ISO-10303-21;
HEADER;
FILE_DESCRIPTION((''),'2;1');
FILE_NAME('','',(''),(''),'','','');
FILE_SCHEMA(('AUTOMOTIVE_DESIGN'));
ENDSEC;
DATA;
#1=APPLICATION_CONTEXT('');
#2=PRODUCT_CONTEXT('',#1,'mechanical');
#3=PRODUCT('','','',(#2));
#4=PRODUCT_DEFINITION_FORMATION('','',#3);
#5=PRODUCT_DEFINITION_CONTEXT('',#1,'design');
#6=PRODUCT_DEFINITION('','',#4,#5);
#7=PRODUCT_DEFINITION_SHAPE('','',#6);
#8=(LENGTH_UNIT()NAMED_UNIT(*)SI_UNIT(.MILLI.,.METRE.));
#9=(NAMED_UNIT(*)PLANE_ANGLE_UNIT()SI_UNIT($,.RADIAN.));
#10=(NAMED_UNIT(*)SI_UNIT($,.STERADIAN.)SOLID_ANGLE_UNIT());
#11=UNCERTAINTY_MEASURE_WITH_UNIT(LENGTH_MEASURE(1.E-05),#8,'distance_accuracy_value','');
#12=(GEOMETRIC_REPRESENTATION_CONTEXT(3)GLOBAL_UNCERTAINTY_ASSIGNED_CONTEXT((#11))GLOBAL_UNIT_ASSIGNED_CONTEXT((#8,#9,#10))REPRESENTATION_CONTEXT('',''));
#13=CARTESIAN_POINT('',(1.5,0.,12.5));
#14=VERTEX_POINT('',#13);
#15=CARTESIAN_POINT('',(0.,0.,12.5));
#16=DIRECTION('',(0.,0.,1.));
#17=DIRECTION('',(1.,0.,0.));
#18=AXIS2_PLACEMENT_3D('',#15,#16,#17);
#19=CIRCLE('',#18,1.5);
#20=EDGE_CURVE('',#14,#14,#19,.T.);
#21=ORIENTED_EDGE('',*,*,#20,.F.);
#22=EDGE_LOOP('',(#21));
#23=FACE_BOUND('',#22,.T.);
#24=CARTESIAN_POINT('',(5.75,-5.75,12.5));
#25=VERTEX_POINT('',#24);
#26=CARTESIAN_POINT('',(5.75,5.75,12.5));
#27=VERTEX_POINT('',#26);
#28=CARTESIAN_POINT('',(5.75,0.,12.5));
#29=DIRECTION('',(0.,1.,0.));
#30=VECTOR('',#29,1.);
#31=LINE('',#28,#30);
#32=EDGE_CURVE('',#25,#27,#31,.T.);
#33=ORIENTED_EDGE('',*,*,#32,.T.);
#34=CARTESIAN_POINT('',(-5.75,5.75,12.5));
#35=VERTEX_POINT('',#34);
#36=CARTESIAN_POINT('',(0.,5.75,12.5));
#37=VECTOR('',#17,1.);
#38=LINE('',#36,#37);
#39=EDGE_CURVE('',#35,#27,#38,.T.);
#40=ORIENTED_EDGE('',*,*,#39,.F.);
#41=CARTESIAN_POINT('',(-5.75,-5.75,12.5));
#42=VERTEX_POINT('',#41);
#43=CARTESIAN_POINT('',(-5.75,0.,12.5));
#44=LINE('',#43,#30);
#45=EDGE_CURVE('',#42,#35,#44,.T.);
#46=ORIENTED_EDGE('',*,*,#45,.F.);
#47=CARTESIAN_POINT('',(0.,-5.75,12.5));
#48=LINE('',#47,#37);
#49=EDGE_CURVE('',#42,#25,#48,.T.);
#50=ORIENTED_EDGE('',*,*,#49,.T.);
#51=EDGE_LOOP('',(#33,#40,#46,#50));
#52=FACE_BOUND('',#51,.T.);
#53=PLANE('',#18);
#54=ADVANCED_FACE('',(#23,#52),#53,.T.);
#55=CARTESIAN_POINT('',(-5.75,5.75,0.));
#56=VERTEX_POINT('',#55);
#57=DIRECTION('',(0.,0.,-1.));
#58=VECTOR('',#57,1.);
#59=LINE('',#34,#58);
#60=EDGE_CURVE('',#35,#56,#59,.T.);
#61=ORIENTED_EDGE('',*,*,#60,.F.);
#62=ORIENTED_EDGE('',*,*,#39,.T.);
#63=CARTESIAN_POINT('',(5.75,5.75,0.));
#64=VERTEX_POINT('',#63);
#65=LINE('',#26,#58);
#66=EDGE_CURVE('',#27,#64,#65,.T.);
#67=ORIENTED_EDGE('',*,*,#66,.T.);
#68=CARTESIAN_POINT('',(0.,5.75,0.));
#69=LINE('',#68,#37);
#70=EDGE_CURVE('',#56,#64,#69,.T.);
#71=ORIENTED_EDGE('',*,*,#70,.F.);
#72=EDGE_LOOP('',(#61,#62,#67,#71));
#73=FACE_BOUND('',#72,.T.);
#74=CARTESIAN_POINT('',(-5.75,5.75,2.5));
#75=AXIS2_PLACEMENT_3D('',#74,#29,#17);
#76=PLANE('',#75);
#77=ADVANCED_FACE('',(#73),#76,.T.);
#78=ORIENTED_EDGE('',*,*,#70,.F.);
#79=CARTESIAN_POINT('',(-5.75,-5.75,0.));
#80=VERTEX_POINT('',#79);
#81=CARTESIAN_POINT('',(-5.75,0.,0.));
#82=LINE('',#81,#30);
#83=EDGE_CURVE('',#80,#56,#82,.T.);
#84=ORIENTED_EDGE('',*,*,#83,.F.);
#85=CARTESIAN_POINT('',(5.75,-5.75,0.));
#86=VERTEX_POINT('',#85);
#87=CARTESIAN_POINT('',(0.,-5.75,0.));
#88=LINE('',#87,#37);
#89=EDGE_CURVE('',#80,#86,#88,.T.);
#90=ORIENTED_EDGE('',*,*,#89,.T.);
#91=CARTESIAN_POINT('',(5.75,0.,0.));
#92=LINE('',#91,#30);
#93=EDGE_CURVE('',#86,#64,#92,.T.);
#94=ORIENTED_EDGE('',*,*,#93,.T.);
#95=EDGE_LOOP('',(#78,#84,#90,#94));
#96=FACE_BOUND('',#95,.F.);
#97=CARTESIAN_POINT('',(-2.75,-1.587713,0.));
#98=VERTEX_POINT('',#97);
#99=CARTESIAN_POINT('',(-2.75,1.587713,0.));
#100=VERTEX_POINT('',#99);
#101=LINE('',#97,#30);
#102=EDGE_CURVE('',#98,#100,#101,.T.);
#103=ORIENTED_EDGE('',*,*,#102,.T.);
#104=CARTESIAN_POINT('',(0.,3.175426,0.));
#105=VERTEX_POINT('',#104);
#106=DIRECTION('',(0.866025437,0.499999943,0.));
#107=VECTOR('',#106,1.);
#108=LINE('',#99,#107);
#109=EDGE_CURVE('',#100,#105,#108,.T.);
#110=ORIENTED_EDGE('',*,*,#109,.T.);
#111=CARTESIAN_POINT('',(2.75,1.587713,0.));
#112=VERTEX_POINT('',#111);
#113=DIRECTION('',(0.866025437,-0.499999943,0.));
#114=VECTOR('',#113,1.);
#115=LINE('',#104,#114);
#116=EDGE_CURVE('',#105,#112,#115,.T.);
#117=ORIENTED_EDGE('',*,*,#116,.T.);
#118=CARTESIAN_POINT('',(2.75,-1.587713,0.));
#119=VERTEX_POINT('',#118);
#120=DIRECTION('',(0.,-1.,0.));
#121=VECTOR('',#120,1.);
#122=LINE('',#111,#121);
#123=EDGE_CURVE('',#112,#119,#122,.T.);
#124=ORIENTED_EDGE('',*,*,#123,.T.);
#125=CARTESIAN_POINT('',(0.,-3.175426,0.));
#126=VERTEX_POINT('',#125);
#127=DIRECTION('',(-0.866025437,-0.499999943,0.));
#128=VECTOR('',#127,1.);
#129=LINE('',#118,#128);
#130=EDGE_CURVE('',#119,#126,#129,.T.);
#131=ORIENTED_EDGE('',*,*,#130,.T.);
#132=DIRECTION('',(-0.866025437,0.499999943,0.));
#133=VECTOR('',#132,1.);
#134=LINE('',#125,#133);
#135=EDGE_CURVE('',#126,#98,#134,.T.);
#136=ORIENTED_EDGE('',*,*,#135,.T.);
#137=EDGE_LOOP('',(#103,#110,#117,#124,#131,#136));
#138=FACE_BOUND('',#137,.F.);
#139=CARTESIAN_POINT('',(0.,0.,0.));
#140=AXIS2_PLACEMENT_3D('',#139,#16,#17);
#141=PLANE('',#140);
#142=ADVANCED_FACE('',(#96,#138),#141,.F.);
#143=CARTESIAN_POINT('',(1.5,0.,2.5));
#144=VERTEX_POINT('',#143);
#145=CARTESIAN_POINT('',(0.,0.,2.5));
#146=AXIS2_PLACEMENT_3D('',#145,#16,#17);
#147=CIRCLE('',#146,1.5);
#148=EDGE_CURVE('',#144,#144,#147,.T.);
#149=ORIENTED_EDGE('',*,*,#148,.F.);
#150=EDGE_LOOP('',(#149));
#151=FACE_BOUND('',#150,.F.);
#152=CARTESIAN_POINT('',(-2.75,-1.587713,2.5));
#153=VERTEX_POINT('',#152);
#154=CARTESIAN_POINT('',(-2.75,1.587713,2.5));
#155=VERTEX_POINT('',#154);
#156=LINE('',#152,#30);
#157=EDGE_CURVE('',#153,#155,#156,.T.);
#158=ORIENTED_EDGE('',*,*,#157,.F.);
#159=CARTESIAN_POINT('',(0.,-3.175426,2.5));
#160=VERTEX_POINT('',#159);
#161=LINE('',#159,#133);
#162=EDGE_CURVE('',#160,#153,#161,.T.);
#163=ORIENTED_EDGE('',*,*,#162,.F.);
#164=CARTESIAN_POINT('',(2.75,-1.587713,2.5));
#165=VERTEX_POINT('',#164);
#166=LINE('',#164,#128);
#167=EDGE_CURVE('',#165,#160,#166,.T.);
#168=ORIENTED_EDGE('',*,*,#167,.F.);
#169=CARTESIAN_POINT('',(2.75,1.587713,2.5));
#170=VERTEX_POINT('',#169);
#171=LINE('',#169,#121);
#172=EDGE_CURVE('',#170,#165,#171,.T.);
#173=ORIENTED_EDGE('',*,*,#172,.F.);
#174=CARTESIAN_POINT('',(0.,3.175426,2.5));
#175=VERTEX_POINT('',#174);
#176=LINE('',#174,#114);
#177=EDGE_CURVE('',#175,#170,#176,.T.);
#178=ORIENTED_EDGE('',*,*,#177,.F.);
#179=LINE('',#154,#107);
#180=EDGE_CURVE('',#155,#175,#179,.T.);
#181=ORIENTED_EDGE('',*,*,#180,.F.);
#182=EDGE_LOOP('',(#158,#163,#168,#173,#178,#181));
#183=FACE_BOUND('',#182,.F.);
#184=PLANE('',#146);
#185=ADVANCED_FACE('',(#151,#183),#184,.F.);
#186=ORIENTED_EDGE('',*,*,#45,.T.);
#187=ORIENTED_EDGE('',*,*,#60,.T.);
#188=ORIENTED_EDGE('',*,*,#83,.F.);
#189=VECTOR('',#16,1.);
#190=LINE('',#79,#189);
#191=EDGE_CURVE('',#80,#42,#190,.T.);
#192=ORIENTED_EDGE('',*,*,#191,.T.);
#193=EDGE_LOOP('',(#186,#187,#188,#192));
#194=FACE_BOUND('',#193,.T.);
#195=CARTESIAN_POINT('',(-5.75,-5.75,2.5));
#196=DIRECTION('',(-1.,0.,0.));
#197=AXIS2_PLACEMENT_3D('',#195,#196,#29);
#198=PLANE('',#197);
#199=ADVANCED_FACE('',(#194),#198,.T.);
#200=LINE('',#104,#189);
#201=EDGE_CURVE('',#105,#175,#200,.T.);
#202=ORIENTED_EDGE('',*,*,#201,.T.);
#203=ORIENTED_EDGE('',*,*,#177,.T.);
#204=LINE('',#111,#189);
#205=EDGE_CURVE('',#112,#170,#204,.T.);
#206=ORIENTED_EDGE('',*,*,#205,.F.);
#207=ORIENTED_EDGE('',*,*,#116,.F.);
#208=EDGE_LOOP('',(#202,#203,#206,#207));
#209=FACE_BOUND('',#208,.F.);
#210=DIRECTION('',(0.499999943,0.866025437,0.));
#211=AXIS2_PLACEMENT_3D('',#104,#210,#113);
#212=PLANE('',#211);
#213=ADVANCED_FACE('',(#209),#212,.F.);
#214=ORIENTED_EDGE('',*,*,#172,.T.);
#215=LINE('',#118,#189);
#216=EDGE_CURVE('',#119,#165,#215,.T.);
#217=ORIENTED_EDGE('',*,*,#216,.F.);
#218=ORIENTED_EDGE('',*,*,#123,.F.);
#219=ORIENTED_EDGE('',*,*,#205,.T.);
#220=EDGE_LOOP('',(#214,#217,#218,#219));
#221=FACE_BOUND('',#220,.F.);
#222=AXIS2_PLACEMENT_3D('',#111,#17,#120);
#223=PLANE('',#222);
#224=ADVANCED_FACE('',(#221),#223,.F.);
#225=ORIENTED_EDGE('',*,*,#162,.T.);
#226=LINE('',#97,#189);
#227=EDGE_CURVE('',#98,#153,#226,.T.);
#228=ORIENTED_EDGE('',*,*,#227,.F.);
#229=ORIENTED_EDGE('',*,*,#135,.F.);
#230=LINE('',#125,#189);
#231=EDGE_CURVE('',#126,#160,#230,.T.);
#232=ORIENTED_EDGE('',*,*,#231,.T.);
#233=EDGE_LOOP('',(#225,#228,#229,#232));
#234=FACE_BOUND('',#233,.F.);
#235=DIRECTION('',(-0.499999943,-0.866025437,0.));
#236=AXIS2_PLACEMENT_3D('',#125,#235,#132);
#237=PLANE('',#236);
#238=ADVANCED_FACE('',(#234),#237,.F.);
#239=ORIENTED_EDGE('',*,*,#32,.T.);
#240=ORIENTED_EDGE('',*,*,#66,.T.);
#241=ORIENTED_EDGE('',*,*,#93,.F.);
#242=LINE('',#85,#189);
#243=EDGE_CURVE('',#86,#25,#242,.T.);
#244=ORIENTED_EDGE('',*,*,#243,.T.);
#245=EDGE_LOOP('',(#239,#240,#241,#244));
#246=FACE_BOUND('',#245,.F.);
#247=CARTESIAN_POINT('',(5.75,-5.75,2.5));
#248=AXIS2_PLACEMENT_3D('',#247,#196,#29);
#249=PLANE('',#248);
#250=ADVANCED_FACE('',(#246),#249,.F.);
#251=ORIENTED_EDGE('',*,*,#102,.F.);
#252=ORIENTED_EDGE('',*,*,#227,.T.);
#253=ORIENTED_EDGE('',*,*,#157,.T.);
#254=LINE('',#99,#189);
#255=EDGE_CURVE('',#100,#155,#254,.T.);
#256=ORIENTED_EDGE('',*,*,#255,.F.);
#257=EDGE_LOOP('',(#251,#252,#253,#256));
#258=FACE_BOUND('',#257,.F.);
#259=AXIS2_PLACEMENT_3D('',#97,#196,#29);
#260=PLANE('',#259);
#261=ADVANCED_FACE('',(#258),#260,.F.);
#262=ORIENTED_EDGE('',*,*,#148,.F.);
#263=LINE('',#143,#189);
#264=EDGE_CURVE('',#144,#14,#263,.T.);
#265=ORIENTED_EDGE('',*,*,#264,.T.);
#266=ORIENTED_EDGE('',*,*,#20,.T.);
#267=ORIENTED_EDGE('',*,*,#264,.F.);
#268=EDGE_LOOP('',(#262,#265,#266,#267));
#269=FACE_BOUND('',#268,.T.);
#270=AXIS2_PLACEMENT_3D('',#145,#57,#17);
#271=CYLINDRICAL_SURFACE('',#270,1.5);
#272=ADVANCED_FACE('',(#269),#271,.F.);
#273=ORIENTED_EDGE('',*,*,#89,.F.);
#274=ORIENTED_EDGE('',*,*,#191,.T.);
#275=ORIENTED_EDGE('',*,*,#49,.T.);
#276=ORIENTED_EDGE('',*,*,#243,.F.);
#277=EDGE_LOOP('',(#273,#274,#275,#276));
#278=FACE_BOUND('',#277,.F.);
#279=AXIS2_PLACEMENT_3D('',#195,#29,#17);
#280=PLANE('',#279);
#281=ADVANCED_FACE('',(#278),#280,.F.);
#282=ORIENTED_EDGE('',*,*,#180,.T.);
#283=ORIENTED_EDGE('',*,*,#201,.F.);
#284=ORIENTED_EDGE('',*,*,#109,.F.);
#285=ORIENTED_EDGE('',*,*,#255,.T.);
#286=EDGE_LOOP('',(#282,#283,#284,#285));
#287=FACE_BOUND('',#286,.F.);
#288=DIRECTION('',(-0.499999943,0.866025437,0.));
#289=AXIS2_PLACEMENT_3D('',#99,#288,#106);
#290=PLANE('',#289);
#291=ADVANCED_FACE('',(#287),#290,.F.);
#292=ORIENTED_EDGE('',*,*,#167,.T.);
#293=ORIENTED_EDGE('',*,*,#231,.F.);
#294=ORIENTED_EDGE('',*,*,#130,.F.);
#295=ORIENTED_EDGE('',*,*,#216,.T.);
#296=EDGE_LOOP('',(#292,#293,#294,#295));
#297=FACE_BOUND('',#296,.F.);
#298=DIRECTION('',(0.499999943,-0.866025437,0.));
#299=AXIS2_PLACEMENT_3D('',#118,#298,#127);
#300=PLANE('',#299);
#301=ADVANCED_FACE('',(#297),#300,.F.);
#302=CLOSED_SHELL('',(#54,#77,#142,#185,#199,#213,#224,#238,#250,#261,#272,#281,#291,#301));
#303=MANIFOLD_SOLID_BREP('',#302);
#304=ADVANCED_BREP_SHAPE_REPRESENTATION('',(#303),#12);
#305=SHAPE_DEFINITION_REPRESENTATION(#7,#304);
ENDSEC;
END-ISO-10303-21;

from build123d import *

# Parameters (mm, degrees)
F0_W     = 11.5
F0_H     = 11.5
F1_DEPTH = 2.5
F2_W     = 11.5
F2_H     = 11.5
F2_R     = 1.5
F3_DEPTH = 10


with BuildPart() as f1:
    # F0 (on Top) → F1 (new body)
    with BuildSketch(Plane.XY):
        Rectangle(F0_W, F0_H)
        Polygon((0, 3.175426), (2.75, 1.587713), (2.75, -1.587713), (0, -3.175426), (-2.75, -1.587713), (-2.75, 1.587713), align=None, mode=Mode.SUBTRACT)
    extrude(amount=F1_DEPTH)

    # F2 (on face) → F3 (join)
    with BuildSketch(Plane.XY.offset(2.5)):
        Rectangle(F2_W, F2_H)
        Circle(F2_R, mode=Mode.SUBTRACT)
    extrude(amount=F3_DEPTH)


solid = f1.part
